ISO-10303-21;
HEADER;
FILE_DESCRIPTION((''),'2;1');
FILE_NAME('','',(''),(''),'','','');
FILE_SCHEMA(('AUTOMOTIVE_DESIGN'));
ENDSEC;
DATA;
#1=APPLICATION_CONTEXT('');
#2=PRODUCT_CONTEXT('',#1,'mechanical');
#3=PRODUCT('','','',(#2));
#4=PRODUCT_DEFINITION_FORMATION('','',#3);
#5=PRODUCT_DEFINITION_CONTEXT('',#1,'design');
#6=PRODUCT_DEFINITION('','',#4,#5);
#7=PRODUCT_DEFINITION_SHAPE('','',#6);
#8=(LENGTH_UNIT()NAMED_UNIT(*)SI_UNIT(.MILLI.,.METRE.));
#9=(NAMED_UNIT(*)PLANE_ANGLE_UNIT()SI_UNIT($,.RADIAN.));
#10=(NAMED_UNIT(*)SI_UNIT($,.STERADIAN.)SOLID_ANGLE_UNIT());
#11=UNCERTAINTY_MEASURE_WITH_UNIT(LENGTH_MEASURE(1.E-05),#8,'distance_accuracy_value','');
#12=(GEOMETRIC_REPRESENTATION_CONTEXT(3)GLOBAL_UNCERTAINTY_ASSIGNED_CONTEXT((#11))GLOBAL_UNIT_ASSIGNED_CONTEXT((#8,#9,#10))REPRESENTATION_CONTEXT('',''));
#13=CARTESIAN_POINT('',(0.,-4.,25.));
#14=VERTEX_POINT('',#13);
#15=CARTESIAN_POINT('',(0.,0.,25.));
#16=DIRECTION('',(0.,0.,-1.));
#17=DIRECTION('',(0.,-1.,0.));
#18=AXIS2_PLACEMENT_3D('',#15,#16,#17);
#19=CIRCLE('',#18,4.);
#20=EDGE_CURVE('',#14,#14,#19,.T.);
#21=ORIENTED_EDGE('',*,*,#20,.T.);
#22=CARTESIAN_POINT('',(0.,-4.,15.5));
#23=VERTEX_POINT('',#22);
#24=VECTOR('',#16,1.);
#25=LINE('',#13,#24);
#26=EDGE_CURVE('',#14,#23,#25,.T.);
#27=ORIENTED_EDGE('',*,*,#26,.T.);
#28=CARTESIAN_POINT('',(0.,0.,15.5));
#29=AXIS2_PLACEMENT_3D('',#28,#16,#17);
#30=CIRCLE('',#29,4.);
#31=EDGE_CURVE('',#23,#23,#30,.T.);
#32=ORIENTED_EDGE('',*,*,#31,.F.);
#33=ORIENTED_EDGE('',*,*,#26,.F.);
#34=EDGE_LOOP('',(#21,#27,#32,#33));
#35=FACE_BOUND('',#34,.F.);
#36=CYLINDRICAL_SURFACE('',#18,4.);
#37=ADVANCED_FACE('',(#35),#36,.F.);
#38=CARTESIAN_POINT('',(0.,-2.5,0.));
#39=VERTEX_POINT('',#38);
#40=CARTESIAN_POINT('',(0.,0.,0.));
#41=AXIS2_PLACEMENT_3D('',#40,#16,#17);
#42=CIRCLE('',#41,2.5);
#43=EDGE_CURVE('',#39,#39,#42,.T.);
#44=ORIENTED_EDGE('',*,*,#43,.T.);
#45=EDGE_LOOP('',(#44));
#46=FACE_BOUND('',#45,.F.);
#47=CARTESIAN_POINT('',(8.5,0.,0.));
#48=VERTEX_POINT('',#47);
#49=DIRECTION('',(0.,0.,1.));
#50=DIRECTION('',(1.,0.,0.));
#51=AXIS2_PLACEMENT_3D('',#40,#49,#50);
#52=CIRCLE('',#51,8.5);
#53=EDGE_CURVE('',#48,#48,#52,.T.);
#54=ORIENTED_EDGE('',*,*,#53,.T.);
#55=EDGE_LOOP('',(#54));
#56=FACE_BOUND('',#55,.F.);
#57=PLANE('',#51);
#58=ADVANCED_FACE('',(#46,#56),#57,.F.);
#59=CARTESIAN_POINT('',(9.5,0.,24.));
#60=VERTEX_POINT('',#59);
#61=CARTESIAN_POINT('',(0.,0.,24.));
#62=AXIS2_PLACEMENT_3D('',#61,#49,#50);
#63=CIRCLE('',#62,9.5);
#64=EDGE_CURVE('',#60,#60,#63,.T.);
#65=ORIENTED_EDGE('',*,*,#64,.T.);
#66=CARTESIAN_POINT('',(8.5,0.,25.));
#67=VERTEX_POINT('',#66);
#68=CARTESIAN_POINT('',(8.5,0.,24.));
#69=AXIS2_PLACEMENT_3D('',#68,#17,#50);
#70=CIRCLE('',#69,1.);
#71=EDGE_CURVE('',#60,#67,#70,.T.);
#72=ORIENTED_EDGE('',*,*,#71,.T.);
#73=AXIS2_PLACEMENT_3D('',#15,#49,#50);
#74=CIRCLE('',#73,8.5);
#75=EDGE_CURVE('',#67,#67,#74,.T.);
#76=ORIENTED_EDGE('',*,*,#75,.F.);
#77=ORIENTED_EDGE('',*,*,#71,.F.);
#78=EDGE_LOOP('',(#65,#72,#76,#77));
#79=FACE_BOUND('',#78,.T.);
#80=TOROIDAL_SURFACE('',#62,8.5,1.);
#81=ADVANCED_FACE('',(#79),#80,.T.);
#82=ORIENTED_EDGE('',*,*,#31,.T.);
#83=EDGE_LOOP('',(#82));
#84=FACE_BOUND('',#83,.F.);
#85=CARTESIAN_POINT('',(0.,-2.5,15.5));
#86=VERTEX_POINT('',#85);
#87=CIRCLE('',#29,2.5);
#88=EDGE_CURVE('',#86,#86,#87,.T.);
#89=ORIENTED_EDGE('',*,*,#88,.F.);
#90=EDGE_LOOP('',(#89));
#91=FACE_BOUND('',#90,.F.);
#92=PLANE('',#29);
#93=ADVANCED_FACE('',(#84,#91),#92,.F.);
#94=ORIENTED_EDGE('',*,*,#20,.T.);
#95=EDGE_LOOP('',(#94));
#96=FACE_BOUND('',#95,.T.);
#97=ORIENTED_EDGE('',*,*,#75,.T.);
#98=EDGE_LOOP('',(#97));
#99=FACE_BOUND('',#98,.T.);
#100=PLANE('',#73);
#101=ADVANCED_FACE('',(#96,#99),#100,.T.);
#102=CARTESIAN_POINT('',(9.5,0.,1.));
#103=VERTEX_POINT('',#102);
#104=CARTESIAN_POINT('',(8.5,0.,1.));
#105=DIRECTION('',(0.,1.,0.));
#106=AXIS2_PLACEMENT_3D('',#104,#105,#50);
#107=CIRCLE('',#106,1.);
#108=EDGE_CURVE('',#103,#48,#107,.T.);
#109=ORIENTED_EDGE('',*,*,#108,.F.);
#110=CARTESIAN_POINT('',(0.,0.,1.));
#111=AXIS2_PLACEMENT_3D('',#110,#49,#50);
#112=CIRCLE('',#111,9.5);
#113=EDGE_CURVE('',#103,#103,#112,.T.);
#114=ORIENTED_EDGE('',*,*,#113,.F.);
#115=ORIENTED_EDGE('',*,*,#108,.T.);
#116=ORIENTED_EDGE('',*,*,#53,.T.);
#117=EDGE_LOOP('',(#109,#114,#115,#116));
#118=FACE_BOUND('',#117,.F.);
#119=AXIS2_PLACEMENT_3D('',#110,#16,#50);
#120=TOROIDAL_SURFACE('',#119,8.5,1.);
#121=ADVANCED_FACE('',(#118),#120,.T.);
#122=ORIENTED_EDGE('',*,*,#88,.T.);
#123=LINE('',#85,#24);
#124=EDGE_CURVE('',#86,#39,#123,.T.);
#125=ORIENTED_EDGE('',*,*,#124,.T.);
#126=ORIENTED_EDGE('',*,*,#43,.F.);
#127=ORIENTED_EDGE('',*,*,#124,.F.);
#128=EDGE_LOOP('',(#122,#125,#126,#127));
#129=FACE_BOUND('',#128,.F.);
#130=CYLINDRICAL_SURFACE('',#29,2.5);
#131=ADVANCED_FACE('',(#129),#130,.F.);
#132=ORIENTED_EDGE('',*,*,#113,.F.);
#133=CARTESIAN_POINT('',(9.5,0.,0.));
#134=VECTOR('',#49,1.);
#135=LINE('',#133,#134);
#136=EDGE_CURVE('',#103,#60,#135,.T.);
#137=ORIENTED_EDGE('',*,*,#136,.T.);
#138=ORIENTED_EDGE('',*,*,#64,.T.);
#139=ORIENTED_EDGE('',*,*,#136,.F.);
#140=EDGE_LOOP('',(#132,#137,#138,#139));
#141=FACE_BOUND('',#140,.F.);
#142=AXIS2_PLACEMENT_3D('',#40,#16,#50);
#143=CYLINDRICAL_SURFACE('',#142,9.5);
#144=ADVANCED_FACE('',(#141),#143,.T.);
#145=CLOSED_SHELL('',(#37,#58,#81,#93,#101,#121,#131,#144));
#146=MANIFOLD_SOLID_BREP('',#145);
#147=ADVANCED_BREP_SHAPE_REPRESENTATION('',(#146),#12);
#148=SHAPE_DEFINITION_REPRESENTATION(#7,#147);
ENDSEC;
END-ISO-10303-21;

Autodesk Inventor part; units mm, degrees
ref_plane "YZ Plane" through (0, 0, 0) normal (1, 0, 0) x (0, 1, 0)
ref_plane "XZ Plane" through (0, 0, 0) normal (0, 1, 0) x (-1, 0, 0)
ref_plane "XY Plane" through (0, 0, 0) normal (0, 0, 1) x (1, 0, 0)
sketch "Esboço1" plane through (0, 0, 0) normal (0, 0, 1) x (1, 0, 0)
  circle A0 centre (0, 0) radius 9.5
  dimension "d0" = 19
extrude "Extrusão1" add sketch "Esboço1" along normal blind 25
sketch "Esboço4" plane through (0, 0, 25) normal (0, 0, 1) x (1, 0, 0)
  circle A0 centre (0, 0) radius 1.7116
hole "Furo1" at (0, 0, 25) direction (0, 0, -1) diameter 5 end through all counterbore diameter 8 counterbore depth 9.5
fillet "Arredondamento1" radius 1 2 edges at (-9.5, 0, 0) (-9.5, 0, 25)
properties part number "Acoplamento5Para8"
